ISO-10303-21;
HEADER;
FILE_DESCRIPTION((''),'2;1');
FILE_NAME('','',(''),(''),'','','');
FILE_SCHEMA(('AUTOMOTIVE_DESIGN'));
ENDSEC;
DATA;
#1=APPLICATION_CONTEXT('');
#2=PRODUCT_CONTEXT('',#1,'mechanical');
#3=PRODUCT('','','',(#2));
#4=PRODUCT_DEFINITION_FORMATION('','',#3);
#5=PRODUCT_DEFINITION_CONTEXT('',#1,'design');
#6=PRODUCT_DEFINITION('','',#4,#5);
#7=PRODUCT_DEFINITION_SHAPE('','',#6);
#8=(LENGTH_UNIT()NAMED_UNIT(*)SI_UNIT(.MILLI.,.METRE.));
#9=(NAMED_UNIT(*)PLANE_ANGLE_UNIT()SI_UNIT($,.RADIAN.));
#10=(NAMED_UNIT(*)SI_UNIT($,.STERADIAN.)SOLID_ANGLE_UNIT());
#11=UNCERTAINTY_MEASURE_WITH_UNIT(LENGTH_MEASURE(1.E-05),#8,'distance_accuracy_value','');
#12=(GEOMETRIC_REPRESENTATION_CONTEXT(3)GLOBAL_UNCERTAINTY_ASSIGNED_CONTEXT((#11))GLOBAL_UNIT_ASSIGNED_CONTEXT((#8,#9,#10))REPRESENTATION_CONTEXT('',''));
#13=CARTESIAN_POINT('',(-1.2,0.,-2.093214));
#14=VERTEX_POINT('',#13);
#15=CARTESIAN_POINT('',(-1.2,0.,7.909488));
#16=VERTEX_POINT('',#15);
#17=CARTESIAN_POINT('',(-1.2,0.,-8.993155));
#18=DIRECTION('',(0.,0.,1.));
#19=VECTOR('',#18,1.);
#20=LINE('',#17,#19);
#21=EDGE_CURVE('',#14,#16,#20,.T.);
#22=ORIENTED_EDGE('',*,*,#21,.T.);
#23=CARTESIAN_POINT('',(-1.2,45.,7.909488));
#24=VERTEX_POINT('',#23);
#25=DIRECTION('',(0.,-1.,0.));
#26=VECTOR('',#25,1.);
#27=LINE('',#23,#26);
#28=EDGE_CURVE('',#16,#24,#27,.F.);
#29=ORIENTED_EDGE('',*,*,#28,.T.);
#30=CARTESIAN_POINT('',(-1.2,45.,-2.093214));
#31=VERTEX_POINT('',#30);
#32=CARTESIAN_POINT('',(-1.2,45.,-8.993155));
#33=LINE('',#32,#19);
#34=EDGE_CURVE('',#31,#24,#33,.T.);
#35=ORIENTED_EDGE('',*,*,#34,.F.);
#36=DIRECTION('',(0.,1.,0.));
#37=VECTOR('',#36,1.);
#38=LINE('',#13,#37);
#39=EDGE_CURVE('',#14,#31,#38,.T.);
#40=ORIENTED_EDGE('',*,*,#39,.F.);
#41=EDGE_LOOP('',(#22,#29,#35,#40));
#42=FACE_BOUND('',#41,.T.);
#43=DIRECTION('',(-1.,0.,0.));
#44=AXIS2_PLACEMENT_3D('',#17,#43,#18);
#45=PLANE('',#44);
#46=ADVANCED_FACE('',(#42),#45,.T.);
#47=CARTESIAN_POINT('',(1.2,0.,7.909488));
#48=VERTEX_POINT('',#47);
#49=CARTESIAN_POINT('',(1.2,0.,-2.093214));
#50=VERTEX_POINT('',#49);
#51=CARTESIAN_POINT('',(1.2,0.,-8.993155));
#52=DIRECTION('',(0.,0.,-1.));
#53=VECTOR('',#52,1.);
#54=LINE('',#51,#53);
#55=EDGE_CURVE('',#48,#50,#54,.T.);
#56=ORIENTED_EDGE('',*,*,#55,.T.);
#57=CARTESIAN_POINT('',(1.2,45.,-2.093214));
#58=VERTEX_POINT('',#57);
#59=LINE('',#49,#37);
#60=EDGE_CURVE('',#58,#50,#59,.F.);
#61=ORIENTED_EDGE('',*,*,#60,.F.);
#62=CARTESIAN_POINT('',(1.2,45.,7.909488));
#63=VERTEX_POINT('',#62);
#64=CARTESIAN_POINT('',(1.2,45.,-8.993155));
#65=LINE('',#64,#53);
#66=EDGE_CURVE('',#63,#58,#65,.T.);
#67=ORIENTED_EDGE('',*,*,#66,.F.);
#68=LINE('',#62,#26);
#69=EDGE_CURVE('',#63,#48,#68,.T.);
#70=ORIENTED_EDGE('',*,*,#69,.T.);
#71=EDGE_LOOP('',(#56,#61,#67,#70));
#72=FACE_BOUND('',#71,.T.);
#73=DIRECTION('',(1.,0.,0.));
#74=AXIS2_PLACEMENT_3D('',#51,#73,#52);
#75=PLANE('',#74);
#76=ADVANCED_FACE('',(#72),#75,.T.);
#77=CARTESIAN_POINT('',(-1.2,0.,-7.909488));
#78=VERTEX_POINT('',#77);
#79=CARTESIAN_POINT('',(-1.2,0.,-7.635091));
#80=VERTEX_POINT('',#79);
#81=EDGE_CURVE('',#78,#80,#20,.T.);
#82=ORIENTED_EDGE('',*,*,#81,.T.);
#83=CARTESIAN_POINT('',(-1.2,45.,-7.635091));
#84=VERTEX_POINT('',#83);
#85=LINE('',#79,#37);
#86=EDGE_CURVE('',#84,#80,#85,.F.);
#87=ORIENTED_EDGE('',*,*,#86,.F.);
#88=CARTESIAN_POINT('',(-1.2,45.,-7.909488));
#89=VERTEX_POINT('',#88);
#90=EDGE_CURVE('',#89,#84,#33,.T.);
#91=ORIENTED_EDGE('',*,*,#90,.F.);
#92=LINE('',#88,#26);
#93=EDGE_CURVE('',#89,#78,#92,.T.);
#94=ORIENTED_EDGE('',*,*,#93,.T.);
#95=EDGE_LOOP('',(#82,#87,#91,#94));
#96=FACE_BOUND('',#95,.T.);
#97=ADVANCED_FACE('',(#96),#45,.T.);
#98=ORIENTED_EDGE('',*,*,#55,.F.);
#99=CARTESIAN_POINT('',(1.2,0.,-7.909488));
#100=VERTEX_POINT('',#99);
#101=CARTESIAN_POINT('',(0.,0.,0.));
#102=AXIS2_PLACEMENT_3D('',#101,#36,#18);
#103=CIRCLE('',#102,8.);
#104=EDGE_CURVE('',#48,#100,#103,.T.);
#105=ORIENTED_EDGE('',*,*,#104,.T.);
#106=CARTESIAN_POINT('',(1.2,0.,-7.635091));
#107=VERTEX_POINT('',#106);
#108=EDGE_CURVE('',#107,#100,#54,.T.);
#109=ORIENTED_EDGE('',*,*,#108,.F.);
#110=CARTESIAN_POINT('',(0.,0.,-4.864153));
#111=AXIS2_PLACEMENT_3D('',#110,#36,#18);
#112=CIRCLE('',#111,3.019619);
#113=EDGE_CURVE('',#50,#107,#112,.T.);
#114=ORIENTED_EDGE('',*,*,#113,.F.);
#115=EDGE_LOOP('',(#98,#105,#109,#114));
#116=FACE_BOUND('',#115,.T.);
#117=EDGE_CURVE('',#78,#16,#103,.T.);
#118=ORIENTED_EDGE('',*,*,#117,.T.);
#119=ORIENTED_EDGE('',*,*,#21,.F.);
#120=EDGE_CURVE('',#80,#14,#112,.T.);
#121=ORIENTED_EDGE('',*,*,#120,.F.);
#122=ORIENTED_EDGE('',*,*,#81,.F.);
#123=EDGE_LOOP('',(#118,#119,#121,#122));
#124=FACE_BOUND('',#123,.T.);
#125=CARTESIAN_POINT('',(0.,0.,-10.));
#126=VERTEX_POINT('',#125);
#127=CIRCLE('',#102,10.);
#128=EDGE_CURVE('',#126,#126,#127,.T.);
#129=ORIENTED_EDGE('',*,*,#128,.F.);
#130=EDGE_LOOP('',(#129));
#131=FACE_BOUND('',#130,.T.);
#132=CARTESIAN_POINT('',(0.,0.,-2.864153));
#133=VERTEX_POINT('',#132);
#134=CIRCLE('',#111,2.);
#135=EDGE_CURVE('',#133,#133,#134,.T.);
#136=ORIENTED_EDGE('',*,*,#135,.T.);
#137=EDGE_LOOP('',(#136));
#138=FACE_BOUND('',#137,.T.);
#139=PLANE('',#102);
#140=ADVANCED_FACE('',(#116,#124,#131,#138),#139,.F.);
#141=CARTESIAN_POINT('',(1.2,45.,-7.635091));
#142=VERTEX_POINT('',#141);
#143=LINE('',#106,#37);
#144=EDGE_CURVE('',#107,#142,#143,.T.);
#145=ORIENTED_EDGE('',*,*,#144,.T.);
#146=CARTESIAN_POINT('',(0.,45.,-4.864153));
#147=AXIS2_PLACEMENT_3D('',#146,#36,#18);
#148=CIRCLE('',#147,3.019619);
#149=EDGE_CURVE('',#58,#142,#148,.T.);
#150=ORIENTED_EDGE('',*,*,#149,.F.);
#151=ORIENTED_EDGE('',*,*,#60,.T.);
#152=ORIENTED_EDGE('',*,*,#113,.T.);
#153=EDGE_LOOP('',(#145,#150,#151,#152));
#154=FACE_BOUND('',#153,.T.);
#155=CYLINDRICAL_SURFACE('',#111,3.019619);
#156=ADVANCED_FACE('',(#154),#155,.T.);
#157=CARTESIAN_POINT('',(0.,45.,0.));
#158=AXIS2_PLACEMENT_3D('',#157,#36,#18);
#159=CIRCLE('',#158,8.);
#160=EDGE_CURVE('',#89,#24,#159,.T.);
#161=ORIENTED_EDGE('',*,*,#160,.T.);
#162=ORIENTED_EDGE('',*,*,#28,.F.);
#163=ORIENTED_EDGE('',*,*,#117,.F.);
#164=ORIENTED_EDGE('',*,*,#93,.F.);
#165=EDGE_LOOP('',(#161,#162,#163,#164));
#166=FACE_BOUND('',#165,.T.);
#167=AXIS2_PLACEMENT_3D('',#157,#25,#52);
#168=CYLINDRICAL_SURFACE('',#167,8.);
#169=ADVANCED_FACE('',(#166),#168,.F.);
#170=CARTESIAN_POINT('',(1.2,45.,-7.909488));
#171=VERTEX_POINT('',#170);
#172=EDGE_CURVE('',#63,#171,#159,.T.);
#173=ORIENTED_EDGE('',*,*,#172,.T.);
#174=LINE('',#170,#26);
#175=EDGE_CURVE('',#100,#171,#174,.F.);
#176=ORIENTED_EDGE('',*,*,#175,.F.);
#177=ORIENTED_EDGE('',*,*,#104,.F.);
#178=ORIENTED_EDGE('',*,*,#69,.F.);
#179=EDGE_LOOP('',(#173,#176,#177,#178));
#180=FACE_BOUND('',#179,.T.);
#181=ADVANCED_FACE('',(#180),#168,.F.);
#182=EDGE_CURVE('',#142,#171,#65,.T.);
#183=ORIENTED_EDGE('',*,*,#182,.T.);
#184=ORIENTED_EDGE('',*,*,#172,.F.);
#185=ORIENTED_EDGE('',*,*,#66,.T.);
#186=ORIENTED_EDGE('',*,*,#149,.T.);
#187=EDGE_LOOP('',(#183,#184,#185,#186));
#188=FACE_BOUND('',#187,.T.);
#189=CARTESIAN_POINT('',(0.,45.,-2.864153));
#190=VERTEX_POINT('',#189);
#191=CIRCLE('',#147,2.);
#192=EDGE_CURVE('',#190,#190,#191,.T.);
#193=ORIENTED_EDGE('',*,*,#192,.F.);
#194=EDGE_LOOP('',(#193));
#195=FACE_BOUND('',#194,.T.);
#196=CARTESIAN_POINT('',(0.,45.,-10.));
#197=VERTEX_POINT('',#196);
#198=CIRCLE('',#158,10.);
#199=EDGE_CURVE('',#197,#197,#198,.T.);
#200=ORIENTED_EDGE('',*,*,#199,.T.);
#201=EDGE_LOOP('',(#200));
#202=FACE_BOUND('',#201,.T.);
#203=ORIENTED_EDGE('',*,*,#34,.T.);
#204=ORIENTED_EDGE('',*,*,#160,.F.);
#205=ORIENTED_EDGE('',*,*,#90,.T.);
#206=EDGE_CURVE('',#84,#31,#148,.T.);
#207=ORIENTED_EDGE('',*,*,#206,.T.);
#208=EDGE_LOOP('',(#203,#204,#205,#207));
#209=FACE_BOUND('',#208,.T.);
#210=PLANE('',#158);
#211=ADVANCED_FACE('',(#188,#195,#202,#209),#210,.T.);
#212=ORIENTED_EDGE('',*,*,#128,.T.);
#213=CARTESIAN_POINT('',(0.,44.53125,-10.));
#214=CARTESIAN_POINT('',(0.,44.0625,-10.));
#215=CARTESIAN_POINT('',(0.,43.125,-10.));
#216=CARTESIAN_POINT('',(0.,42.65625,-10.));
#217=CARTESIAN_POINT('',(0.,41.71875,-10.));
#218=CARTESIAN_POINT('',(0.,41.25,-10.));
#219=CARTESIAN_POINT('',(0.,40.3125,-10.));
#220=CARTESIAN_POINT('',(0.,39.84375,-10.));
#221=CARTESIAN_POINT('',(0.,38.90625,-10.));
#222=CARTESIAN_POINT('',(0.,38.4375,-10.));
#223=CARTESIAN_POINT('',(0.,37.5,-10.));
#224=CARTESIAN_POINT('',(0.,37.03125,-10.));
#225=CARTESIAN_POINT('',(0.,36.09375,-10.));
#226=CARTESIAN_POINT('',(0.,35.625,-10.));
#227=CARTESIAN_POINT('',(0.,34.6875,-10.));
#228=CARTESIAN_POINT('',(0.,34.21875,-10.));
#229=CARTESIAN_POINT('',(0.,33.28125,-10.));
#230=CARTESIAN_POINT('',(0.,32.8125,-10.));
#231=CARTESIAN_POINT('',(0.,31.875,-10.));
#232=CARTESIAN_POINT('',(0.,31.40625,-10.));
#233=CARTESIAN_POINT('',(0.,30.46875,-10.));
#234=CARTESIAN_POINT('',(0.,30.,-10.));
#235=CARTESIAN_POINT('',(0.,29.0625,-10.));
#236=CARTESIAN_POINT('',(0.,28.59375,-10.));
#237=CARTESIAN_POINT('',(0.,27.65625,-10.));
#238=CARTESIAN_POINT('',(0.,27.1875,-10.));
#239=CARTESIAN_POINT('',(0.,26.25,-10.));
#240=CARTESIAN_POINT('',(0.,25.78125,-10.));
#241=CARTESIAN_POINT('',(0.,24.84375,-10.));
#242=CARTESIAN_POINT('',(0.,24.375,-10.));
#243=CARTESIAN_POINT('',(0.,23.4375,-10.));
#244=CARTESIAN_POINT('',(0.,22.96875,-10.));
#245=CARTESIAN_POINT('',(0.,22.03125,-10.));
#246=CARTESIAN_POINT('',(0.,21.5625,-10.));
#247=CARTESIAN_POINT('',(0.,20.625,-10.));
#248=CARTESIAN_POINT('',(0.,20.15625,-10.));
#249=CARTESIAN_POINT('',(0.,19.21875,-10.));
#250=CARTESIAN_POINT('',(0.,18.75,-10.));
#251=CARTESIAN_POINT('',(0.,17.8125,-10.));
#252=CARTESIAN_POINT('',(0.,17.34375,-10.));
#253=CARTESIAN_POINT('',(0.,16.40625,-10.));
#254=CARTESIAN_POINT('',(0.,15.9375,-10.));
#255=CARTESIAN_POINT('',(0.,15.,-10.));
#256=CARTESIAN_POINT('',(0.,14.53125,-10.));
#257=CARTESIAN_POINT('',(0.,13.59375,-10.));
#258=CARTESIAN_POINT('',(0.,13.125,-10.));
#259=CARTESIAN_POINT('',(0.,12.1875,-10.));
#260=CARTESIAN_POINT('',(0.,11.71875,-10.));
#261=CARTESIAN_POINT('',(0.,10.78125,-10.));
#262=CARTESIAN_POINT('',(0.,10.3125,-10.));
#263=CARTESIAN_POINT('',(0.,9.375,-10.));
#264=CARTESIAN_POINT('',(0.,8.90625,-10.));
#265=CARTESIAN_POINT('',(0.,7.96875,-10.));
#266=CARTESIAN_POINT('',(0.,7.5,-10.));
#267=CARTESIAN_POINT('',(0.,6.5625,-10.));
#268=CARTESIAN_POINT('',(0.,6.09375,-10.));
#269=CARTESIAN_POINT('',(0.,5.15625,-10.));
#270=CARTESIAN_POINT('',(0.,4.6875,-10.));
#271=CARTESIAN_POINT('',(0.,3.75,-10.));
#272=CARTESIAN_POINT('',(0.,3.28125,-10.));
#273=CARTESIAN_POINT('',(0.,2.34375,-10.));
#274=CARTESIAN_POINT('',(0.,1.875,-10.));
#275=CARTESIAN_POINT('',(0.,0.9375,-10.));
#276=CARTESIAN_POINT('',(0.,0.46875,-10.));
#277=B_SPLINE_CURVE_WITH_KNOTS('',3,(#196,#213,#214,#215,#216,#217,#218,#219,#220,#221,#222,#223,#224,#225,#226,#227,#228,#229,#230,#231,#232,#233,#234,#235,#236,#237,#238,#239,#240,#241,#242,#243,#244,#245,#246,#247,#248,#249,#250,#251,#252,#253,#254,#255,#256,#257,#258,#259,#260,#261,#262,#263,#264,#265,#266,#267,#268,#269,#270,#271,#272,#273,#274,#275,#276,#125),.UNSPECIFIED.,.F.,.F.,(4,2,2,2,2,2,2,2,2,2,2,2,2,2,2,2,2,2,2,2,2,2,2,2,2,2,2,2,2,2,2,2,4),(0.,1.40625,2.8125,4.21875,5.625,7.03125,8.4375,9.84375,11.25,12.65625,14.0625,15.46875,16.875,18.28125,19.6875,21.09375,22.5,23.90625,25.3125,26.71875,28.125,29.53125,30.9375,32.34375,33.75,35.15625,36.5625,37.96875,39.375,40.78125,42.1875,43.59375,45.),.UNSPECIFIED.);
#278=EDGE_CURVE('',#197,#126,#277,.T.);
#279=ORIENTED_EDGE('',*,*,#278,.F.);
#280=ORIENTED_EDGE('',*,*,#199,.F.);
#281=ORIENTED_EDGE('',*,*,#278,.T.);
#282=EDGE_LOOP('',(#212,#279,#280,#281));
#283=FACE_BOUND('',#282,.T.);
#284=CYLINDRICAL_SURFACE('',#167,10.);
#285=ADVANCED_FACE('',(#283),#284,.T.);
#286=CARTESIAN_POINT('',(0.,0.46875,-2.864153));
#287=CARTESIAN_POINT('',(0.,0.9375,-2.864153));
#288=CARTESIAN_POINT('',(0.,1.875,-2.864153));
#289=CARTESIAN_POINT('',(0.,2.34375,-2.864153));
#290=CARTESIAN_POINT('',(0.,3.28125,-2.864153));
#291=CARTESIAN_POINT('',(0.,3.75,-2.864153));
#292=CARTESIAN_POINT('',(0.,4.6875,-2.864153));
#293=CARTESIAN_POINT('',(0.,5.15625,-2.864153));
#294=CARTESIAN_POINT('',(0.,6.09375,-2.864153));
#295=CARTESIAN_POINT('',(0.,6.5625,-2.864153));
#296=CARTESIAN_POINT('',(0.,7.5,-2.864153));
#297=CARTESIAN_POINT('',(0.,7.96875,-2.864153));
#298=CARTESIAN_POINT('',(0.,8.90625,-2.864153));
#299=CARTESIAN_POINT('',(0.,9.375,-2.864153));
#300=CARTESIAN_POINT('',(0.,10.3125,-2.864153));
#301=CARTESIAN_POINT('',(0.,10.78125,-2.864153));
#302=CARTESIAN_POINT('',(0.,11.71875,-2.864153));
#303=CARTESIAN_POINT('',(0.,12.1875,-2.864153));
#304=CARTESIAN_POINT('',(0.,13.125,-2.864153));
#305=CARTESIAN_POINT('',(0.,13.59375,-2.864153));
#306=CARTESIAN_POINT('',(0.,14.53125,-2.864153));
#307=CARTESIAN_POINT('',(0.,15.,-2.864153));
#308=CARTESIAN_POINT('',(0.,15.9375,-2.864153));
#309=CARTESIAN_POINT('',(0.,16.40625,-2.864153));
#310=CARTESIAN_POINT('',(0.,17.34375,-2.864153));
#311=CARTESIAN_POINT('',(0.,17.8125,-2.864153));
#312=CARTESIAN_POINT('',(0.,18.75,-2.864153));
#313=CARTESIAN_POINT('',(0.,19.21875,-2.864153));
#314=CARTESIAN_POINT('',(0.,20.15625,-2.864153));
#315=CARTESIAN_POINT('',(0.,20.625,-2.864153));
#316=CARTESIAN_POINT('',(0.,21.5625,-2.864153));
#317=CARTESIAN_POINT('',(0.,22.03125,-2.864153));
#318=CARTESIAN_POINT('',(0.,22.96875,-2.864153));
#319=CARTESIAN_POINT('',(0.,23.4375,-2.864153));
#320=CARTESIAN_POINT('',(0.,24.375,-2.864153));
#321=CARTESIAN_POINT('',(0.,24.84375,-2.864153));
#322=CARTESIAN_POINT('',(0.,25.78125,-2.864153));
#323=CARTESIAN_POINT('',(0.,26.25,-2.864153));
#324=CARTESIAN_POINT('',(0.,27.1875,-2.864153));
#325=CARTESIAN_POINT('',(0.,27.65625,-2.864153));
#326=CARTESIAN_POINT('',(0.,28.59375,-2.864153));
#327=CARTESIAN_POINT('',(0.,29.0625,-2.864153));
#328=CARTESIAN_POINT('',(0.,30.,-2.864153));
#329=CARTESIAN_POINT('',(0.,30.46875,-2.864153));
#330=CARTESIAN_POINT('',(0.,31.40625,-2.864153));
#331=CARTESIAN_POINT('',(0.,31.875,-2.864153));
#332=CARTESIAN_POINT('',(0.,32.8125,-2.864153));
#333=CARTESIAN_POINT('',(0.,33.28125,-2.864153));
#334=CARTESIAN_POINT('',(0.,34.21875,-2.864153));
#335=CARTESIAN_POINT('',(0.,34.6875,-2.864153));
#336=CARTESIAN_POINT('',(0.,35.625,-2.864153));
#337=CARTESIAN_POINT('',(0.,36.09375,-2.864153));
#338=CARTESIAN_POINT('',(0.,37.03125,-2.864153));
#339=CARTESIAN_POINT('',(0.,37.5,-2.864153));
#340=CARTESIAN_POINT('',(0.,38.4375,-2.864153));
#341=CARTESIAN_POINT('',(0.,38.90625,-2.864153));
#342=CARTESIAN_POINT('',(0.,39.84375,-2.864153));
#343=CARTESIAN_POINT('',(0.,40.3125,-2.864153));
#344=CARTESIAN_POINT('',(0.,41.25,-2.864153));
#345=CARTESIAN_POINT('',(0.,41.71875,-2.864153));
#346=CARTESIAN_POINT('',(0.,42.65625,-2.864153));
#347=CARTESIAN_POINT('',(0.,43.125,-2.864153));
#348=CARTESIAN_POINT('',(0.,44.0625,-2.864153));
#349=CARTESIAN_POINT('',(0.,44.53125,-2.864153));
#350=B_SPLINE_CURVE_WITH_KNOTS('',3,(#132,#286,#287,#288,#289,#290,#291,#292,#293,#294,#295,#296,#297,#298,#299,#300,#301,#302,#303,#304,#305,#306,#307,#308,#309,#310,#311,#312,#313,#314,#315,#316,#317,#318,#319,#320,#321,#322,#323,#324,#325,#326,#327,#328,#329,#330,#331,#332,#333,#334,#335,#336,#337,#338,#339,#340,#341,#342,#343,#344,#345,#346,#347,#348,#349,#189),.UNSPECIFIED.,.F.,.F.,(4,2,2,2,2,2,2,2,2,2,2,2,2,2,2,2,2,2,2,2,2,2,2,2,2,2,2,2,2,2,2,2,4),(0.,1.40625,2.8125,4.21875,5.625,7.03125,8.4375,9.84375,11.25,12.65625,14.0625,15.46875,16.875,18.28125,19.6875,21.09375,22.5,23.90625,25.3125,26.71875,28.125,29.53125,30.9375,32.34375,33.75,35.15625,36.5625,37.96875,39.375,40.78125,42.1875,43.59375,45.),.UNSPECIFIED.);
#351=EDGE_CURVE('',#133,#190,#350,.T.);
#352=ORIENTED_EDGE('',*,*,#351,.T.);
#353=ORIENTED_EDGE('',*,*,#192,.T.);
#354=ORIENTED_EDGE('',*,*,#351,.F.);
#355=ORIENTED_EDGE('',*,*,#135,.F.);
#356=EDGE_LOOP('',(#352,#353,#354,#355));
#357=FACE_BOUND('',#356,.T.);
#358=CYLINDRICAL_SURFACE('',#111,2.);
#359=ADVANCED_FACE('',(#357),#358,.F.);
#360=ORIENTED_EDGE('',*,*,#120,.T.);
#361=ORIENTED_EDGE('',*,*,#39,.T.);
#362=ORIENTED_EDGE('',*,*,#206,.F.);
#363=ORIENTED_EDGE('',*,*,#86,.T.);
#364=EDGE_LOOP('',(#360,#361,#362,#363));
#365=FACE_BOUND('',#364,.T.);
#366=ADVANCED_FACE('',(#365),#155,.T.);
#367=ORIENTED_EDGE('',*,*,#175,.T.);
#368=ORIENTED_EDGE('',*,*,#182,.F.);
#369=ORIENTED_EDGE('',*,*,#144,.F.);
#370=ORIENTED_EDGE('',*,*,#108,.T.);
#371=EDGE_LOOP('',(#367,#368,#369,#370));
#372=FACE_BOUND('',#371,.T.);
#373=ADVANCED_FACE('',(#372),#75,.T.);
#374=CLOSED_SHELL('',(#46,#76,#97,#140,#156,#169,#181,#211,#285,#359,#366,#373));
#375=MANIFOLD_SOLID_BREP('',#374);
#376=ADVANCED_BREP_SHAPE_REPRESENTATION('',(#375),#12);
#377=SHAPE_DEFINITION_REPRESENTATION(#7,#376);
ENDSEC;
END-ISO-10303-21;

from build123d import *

# Parameters (mm, degrees)
SKETCH1_R           = 10
SKETCH1_R_2         = 8
BOSS_EXTRUDE1_DEPTH = 45
SKETCH3_W           = 2.4
SKETCH3_H           = 17.997909017
BOSS_EXTRUDE3_DEPTH = 45
SKETCH4_R           = 3.019619096
BOSS_EXTRUDE4_DEPTH = 45
SKETCH5_R           = 2
CUT_EXTRUDE1_DEPTH  = 48.16990566


with BuildPart() as part:
    # Sketch1 → Boss-Extrude1 (new body)
    with BuildSketch(Plane(origin=(0, 0, 0), x_dir=(1, 0, 0), z_dir=(0, 1, 0))):
        with Locations(Location((0, 0, 0), (0, 0, 90))):
            Circle(SKETCH1_R)
        with Locations(Location((0, 0, 0), (0, 0, 90))):
            Circle(SKETCH1_R_2, mode=Mode.SUBTRACT)
    extrude(amount=BOSS_EXTRUDE1_DEPTH)

    # Sketch3 → Boss-Extrude3 (add, through all)
    with BuildSketch(Plane(origin=(0, 45, 0), x_dir=(1, 0, 0), z_dir=(0, 1, 0))):
        with Locations((0, -0.005799161)):
            Rectangle(SKETCH3_W, SKETCH3_H)
    extrude(amount=-BOSS_EXTRUDE3_DEPTH)

    # Sketch4 → Boss-Extrude4 (add, through all)
    with BuildSketch(Plane(origin=(0, 45, 0), x_dir=(1, 0, 0), z_dir=(0, 1, 0))):
        with Locations((0, 4.86415262)):
            Circle(SKETCH4_R)
    extrude(amount=-BOSS_EXTRUDE4_DEPTH)

    # Sketch5 → Cut-Extrude1 (cut, through all)
    with BuildSketch(Plane(origin=(0, 45, 0), x_dir=(1, 0, 0), z_dir=(0, 1, 0))):
        with Locations(Location((0, 4.86415262, 0), (0, 0, 270))):
            Circle(SKETCH5_R)
    extrude(amount=-CUT_EXTRUDE1_DEPTH, mode=Mode.SUBTRACT)


solid = part.part
